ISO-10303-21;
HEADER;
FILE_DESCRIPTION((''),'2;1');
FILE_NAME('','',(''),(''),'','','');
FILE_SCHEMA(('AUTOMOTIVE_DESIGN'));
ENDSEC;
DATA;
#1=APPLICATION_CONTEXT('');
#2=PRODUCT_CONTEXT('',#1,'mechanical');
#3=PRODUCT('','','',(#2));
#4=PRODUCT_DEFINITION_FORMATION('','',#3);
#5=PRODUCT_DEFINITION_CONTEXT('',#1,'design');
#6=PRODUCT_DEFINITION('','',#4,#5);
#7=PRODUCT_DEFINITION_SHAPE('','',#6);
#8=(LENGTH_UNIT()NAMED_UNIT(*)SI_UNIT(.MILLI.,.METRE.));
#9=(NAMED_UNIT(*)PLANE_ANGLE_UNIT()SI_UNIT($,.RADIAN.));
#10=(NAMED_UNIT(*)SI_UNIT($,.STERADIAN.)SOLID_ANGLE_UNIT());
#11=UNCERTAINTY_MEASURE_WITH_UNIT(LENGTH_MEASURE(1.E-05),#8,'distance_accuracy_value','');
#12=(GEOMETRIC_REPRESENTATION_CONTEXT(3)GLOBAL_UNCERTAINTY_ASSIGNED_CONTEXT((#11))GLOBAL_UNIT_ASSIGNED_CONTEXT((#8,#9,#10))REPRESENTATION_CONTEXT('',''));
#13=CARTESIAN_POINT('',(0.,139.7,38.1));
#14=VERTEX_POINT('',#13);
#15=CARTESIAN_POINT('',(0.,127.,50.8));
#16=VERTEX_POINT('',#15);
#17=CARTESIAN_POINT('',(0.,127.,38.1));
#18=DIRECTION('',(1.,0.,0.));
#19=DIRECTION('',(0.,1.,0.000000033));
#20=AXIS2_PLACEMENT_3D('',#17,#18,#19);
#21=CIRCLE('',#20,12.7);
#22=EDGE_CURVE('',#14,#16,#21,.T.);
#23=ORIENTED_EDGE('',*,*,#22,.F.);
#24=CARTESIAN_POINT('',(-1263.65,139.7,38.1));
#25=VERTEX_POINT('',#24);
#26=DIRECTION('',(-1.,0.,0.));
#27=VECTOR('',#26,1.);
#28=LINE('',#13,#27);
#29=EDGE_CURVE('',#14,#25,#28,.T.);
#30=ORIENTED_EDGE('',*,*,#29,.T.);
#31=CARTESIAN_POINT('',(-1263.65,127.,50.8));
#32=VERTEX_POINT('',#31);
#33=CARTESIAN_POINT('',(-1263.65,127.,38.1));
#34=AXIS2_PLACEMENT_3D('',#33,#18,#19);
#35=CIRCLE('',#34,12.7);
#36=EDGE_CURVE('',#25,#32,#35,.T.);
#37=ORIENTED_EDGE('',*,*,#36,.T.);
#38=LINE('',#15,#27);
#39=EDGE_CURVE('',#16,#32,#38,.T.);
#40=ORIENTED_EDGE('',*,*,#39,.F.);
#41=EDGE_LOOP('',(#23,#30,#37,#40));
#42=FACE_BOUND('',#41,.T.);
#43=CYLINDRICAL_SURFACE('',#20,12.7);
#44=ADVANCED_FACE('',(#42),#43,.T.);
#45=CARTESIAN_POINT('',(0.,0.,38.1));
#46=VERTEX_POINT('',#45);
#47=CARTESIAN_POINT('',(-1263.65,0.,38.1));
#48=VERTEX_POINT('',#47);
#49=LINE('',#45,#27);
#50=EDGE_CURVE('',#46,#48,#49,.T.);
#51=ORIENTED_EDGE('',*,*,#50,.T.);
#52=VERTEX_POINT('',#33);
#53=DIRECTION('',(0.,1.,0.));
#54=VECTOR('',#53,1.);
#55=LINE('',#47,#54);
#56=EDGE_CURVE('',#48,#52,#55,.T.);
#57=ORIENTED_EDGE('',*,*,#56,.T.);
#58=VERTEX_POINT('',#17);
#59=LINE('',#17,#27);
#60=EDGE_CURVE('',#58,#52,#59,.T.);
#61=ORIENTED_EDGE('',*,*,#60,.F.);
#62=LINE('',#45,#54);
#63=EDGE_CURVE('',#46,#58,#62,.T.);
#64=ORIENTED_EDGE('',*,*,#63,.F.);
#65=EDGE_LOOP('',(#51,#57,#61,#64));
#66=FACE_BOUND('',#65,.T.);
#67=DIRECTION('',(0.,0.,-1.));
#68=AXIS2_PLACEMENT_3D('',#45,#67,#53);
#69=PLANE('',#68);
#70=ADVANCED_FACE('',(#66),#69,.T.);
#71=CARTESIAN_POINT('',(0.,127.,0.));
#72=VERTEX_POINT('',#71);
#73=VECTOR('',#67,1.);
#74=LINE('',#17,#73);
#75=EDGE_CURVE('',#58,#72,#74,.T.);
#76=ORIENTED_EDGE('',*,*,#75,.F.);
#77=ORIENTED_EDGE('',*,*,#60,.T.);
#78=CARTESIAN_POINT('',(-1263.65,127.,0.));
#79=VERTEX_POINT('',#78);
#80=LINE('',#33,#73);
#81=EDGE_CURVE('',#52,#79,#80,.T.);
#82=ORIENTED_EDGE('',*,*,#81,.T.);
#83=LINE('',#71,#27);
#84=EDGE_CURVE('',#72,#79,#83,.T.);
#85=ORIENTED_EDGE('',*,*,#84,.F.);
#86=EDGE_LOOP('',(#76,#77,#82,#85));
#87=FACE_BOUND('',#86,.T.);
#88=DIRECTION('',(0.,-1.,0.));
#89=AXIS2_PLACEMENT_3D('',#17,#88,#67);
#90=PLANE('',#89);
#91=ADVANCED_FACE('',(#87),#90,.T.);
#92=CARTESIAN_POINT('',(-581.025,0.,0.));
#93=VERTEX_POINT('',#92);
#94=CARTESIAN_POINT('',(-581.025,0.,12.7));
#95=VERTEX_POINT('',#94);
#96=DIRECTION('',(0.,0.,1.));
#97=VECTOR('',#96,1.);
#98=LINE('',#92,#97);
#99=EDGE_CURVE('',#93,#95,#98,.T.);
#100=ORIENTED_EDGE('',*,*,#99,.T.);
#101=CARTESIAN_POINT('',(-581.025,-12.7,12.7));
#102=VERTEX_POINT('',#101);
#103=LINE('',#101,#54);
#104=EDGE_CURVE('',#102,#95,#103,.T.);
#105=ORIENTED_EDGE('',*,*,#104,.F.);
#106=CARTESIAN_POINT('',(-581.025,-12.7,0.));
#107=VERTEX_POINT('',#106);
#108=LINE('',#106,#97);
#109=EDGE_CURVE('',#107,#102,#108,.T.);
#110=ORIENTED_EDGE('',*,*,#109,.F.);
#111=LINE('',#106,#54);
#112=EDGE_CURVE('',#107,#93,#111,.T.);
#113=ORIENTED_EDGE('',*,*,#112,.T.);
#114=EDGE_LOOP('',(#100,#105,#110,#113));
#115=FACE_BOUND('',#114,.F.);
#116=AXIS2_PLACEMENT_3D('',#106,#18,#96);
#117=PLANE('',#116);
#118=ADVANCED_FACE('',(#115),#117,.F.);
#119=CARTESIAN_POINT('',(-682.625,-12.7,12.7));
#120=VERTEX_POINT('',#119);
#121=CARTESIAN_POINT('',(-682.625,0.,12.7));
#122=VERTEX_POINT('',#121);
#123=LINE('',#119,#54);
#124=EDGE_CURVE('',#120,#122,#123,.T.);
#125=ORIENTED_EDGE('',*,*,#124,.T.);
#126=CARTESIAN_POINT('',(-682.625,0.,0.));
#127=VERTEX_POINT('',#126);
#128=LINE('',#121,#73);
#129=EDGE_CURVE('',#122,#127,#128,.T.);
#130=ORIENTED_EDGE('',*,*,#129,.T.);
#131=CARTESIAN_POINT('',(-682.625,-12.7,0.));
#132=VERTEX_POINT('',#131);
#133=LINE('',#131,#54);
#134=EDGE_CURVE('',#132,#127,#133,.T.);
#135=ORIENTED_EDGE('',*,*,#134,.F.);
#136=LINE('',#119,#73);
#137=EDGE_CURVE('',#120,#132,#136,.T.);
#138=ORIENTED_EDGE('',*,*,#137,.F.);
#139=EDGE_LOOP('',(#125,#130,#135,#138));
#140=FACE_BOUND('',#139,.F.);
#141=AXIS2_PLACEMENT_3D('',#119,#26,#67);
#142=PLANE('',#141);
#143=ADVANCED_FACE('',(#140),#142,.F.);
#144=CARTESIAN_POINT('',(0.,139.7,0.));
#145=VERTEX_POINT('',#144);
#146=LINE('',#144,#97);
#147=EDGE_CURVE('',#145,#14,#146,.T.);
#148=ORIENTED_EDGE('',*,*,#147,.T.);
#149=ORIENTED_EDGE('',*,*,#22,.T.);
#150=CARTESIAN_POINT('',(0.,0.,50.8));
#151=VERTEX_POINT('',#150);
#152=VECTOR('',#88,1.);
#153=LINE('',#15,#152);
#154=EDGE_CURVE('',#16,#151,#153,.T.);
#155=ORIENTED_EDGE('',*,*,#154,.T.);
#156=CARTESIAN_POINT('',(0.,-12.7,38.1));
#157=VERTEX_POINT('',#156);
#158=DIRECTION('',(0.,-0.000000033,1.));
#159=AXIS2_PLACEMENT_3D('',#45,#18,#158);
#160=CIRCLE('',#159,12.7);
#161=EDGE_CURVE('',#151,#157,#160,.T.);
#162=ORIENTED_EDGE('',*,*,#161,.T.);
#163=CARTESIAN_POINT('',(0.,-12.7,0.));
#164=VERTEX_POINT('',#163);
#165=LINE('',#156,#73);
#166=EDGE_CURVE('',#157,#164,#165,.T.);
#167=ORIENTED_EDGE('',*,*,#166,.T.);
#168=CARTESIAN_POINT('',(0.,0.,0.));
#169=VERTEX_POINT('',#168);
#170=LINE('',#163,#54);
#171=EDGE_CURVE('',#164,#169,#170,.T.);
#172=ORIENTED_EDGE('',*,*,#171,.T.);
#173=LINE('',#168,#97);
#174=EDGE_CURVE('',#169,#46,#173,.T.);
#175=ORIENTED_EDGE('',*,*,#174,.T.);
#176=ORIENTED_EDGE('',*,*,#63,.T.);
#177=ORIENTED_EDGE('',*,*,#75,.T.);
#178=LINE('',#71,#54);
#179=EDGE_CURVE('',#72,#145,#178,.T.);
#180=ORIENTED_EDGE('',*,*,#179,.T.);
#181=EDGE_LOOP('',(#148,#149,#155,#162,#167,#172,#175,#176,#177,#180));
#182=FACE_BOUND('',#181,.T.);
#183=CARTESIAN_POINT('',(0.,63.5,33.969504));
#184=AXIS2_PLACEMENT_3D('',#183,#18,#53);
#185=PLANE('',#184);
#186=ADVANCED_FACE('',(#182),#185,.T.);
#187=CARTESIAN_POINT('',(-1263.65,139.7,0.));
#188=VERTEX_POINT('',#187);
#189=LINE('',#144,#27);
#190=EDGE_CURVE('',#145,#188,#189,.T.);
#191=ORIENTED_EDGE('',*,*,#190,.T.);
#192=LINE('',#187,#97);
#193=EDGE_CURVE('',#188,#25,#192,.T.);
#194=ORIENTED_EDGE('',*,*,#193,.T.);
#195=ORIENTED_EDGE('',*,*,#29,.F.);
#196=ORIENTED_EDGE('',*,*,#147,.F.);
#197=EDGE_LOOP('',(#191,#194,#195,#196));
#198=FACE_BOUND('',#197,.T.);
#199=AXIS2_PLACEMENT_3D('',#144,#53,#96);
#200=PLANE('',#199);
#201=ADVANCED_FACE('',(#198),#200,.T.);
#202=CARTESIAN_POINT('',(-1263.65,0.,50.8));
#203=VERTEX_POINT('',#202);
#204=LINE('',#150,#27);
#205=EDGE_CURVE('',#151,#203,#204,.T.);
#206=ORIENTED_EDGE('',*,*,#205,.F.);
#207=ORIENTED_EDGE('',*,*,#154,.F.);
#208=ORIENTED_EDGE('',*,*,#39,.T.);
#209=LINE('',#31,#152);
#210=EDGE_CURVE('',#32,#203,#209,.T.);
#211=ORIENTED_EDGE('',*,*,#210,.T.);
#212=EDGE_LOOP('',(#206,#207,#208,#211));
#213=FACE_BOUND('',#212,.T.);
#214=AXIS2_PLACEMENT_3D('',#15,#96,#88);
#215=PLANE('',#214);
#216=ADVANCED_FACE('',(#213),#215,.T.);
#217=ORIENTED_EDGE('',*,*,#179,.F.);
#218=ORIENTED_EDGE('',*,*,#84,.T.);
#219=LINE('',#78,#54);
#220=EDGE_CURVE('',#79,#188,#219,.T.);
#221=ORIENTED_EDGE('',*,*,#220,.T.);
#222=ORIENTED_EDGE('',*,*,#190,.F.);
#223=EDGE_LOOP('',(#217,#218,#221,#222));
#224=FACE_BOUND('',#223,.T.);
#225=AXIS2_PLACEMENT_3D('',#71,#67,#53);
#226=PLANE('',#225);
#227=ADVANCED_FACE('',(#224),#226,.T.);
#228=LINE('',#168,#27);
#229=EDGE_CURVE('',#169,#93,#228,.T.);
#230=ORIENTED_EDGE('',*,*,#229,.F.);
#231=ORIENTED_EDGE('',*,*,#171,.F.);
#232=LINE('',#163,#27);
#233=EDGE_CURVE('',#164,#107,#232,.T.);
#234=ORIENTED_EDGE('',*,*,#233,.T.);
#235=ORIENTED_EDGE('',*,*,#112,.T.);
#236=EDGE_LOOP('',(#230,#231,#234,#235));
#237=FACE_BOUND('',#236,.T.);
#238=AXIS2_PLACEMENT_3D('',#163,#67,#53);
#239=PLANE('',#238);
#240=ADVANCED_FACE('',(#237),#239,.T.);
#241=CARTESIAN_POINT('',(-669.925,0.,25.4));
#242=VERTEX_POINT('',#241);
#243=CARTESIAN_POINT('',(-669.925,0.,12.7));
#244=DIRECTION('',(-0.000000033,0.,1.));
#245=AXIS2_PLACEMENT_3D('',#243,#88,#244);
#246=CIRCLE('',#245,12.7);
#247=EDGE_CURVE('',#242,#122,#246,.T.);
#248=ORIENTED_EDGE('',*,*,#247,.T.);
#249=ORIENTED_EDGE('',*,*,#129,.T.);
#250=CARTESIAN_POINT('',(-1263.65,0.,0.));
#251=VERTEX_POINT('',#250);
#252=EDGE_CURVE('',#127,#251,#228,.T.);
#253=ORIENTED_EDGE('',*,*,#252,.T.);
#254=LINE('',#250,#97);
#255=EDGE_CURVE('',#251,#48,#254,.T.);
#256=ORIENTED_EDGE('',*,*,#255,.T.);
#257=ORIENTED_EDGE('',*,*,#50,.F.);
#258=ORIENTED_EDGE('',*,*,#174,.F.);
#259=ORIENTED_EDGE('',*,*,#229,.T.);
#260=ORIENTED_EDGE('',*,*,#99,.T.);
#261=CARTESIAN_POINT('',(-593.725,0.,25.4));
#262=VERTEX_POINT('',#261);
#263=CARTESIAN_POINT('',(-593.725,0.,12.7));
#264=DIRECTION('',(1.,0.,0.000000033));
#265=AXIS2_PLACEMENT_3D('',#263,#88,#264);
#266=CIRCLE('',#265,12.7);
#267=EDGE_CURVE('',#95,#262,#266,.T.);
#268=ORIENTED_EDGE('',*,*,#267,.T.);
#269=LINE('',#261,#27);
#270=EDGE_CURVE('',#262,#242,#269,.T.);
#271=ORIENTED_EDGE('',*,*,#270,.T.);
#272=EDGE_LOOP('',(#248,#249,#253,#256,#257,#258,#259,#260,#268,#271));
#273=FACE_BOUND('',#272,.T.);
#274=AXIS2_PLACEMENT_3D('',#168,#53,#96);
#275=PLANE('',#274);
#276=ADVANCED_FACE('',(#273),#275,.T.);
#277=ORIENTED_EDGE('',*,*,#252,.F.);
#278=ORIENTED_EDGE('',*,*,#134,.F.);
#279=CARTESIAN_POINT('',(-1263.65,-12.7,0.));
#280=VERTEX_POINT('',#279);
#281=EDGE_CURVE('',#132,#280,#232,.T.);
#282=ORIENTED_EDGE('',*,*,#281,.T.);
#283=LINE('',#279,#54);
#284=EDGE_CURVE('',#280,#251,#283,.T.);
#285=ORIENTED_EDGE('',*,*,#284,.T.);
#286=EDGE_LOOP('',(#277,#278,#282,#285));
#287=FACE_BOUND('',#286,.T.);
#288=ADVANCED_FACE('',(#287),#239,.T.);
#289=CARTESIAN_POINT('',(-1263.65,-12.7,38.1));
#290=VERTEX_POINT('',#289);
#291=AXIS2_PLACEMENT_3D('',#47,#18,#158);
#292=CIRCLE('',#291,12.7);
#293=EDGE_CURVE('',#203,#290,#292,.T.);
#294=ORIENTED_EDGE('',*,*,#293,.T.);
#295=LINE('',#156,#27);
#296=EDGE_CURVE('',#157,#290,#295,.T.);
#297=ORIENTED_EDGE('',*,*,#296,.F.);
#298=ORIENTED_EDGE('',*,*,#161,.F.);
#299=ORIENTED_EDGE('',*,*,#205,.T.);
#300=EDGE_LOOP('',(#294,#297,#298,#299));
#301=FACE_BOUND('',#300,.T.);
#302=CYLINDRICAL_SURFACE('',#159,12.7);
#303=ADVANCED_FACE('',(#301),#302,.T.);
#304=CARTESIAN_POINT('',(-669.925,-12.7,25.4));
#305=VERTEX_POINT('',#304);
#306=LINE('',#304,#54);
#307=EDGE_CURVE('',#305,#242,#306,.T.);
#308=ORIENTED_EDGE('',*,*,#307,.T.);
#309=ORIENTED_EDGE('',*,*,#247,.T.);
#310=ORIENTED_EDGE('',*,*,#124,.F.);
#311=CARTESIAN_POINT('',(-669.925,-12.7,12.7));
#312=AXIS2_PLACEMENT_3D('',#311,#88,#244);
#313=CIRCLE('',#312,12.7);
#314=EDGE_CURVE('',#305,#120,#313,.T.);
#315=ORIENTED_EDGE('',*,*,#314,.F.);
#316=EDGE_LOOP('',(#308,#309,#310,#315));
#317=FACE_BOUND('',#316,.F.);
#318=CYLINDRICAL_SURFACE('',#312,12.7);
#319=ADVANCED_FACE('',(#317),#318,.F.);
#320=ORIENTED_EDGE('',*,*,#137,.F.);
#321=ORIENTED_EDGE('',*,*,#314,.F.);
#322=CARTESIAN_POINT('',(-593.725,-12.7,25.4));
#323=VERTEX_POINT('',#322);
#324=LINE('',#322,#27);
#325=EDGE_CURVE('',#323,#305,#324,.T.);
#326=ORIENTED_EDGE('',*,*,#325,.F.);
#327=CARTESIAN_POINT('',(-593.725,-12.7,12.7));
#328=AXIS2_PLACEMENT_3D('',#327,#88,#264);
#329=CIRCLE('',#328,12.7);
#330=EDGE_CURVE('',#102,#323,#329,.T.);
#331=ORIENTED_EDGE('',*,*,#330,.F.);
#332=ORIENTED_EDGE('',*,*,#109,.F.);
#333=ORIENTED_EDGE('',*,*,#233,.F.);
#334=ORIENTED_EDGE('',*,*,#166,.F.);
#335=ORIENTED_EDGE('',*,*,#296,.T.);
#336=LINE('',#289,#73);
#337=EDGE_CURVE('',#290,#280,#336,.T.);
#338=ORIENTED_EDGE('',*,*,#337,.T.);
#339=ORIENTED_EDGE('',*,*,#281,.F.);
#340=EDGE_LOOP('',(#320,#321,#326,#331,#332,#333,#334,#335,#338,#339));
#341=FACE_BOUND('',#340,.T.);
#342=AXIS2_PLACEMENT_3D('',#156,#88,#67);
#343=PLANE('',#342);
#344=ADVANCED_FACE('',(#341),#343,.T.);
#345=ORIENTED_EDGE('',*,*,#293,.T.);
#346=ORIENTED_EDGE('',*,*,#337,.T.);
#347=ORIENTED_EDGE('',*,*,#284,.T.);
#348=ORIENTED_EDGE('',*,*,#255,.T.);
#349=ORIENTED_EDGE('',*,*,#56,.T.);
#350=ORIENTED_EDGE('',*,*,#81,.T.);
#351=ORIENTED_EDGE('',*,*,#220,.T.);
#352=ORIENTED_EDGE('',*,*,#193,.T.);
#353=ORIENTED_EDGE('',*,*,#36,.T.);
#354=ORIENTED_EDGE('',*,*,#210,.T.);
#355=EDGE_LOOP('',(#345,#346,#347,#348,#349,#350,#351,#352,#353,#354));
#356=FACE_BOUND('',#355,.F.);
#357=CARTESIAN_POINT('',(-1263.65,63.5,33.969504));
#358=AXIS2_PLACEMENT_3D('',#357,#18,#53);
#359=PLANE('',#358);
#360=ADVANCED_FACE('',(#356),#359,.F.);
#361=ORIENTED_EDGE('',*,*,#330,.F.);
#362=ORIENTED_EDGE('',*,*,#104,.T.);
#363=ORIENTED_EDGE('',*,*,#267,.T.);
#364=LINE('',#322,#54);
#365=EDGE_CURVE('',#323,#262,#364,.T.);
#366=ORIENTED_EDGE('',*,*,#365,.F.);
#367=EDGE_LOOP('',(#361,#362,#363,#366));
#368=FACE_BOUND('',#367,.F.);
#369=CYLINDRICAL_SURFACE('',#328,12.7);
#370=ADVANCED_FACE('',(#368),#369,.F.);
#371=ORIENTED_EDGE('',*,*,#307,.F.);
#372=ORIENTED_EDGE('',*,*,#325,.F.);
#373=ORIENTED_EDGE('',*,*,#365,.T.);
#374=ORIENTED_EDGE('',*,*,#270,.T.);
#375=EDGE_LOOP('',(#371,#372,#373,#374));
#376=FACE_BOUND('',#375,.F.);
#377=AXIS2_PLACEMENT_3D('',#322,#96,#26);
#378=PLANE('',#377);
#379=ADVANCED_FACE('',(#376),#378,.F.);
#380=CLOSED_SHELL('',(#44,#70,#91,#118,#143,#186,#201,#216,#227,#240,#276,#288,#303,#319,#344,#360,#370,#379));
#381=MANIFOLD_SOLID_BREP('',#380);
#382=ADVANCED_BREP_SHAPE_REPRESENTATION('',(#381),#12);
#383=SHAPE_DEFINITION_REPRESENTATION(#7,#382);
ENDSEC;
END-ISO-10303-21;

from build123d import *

# Parameters (mm, degrees)
F1_DEPTH = 1263.65
F3_DEPTH = 12.7


with BuildPart() as f1:
    # F0 (on Right) → F1 (new body)
    with BuildSketch(Plane.YZ):
        with BuildLine():
            Line((-12.7, 0), (0, 0))
            Line((0, 0), (0, 38.1))
            Line((0, 38.1), (127, 38.1))
            Line((127, 38.1), (127, 0))
            Line((127, 0), (139.7, 0))
            Line((139.7, 0), (139.7, 38.1))
            ThreePointArc((139.7, 38.1), (135.980256, 47.080256), (127, 50.8))
            Line((127, 50.8), (0, 50.8))
            ThreePointArc((0, 50.8), (-8.980256, 47.080256), (-12.7, 38.1))
            Line((-12.7, 38.1), (-12.7, 0))
        make_face()
    extrude(amount=-F1_DEPTH)

    # F2 (on face) → F3 (cut)
    with BuildSketch(Plane.XZ.offset(12.7)):
        with BuildLine():
            Line((-682.625, 0), (-581.025, 0))
            Line((-581.025, 0), (-581.025, 12.7))
            ThreePointArc((-581.025, 12.7), (-584.744744, 21.680256), (-593.725, 25.4))
            Line((-593.725, 25.4), (-669.925, 25.4))
            ThreePointArc((-669.925, 25.4), (-678.905256, 21.680256), (-682.625, 12.7))
            Line((-682.625, 12.7), (-682.625, 0))
        make_face()
    extrude(amount=-F3_DEPTH, mode=Mode.SUBTRACT)


solid = f1.part
